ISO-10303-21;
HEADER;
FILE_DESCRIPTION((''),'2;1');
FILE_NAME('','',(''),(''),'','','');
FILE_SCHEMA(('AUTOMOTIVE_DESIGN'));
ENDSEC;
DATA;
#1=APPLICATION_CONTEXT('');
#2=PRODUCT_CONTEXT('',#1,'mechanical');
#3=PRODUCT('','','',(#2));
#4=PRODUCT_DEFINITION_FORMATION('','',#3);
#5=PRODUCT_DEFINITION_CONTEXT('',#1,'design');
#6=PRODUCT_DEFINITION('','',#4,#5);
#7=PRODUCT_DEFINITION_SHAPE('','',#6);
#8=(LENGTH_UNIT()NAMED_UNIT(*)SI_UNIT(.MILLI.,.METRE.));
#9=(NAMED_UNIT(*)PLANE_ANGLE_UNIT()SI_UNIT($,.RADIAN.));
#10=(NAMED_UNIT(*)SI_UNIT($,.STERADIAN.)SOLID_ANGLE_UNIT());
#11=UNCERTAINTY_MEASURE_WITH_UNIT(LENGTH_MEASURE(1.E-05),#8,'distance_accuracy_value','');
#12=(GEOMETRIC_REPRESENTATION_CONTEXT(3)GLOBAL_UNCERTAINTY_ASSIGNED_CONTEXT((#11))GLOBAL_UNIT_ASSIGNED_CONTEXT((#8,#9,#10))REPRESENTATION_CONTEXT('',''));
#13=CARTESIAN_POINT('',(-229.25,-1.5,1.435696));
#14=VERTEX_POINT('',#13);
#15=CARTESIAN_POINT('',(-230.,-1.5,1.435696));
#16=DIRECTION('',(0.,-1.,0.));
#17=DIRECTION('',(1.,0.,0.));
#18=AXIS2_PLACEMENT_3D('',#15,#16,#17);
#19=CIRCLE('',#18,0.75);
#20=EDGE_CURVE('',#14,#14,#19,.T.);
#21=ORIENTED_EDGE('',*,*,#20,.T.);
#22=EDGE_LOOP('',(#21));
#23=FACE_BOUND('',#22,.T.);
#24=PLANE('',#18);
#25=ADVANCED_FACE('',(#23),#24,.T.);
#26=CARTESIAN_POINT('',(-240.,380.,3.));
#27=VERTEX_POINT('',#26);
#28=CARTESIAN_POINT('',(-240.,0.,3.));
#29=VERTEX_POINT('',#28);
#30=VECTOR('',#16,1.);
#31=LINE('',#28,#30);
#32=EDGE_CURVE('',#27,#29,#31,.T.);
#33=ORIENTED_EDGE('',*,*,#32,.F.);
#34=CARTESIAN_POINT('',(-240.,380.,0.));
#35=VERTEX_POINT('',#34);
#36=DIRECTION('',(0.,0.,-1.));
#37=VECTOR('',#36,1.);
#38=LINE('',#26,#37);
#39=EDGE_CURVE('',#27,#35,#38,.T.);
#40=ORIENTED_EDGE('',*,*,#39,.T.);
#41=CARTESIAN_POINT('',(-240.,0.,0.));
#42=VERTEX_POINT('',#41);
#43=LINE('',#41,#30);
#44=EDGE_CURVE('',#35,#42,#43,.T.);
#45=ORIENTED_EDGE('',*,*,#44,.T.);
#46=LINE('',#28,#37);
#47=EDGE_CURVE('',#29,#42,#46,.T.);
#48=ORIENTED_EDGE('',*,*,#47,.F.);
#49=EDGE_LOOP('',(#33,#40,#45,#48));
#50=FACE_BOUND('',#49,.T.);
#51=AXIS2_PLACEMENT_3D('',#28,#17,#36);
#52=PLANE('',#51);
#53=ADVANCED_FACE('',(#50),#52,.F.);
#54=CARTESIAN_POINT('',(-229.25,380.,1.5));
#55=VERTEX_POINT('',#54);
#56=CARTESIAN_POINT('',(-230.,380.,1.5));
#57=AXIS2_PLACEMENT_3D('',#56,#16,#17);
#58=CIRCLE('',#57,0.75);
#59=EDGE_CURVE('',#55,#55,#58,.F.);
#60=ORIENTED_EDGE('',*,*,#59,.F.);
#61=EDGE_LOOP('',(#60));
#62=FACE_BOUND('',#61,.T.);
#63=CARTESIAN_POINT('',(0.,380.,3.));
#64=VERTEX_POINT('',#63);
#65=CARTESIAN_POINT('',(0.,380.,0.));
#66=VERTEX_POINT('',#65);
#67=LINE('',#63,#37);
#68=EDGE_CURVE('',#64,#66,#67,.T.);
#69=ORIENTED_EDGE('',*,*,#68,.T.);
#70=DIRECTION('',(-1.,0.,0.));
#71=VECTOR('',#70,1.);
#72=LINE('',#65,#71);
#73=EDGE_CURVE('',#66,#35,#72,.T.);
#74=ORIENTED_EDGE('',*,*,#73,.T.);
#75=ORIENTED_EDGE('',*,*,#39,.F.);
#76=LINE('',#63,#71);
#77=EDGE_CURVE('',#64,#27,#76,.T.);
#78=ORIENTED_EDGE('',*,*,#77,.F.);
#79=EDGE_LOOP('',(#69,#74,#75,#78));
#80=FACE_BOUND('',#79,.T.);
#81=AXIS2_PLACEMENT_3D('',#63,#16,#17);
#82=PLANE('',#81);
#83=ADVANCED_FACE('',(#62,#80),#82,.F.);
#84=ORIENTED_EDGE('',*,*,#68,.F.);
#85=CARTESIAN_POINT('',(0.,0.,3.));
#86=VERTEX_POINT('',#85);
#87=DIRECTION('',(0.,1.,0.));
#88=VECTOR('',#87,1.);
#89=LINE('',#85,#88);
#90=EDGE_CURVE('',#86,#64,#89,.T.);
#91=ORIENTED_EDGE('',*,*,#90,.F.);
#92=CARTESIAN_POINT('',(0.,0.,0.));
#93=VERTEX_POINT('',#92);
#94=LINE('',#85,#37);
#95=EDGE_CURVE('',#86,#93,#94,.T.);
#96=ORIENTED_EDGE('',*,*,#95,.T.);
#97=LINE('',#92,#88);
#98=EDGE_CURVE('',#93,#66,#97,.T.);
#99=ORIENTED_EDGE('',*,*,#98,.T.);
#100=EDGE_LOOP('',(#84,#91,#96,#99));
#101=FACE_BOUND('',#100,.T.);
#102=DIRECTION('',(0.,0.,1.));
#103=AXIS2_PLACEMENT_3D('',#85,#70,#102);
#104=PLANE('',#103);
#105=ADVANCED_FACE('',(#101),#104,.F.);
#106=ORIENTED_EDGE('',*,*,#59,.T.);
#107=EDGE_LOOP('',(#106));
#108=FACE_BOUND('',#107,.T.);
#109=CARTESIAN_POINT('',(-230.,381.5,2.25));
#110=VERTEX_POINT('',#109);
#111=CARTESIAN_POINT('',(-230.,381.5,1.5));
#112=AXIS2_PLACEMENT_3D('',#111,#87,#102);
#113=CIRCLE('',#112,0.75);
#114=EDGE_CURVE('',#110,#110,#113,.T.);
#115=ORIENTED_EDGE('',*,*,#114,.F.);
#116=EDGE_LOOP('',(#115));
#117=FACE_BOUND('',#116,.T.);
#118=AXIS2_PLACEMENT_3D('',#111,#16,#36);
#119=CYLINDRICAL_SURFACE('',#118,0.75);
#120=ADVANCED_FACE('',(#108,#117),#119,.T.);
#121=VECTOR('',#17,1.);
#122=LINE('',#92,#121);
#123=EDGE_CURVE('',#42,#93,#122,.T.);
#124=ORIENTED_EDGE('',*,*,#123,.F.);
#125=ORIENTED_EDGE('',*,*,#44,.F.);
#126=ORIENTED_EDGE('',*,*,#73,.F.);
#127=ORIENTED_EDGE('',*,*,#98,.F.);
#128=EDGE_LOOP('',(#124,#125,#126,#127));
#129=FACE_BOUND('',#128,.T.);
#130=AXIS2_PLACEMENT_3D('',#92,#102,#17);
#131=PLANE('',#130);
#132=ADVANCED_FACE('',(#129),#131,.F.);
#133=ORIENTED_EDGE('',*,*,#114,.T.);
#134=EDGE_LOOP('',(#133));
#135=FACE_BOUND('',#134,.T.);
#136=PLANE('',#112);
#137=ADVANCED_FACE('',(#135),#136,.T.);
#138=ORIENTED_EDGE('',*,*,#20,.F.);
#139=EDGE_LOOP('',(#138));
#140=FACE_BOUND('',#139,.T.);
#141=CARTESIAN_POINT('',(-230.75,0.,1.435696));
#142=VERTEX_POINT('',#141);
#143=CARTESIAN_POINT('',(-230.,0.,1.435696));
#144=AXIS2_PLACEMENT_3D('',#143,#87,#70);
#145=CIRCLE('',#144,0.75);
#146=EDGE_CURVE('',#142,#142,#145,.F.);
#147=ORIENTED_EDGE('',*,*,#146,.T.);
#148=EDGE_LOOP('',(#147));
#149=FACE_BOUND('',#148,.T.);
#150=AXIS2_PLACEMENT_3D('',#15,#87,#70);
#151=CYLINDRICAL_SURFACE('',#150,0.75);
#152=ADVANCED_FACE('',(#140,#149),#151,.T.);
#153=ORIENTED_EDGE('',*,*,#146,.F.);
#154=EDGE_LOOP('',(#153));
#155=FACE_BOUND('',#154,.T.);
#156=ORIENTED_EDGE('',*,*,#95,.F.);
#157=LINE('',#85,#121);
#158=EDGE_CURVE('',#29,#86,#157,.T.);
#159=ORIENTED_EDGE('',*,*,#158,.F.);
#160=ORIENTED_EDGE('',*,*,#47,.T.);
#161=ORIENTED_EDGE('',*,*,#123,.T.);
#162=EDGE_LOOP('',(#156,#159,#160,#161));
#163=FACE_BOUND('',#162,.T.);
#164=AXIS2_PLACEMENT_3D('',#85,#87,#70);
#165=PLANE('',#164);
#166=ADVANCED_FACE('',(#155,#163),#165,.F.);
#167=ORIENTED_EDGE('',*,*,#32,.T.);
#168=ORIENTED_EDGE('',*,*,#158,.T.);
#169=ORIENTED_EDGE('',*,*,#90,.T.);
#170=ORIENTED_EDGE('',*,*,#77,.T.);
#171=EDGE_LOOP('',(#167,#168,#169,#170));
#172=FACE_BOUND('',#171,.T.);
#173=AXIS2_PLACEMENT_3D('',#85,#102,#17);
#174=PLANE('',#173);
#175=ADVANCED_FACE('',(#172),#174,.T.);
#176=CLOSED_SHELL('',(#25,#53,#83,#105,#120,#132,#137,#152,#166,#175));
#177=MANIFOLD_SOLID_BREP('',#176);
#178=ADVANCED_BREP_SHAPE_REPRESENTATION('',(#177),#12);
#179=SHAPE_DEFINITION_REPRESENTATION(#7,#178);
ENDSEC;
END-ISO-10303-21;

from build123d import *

# Parameters (mm, degrees)
CROQUIS1_W              = 240
CROQUIS1_H              = 380
SALIENTE_EXTRUIR1_DEPTH = 3
CROQUIS8_R              = 0.75
SALIENTE_EXTRUIR4_DEPTH = 1.5
CROQUIS10_R             = 0.75
SALIENTE_EXTRUIR5_DEPTH = 1.5


with BuildPart() as part:
    # Croquis1 → Saliente-Extruir1 (new body)
    with BuildSketch(Plane.XY):
        with Locations((-120, 190)):
            Rectangle(CROQUIS1_W, CROQUIS1_H)
    extrude(amount=SALIENTE_EXTRUIR1_DEPTH)

    # Croquis8 → Saliente-Extruir4 (add)
    with BuildSketch(Plane(origin=(0, 0, 0), x_dir=(-1, 0, 0), z_dir=(0, -1, 0))):
        with Locations((230, -1.435696055)):
            Circle(CROQUIS8_R)
    extrude(amount=SALIENTE_EXTRUIR4_DEPTH)

    # Croquis10 → Saliente-Extruir5 (add)
    with BuildSketch(Plane(origin=(0, 380, 0), x_dir=(1, 0, 0), z_dir=(0, 1, 0))):
        with Locations((-230, -1.5)):
            Circle(CROQUIS10_R)
    extrude(amount=SALIENTE_EXTRUIR5_DEPTH)


solid = part.part
